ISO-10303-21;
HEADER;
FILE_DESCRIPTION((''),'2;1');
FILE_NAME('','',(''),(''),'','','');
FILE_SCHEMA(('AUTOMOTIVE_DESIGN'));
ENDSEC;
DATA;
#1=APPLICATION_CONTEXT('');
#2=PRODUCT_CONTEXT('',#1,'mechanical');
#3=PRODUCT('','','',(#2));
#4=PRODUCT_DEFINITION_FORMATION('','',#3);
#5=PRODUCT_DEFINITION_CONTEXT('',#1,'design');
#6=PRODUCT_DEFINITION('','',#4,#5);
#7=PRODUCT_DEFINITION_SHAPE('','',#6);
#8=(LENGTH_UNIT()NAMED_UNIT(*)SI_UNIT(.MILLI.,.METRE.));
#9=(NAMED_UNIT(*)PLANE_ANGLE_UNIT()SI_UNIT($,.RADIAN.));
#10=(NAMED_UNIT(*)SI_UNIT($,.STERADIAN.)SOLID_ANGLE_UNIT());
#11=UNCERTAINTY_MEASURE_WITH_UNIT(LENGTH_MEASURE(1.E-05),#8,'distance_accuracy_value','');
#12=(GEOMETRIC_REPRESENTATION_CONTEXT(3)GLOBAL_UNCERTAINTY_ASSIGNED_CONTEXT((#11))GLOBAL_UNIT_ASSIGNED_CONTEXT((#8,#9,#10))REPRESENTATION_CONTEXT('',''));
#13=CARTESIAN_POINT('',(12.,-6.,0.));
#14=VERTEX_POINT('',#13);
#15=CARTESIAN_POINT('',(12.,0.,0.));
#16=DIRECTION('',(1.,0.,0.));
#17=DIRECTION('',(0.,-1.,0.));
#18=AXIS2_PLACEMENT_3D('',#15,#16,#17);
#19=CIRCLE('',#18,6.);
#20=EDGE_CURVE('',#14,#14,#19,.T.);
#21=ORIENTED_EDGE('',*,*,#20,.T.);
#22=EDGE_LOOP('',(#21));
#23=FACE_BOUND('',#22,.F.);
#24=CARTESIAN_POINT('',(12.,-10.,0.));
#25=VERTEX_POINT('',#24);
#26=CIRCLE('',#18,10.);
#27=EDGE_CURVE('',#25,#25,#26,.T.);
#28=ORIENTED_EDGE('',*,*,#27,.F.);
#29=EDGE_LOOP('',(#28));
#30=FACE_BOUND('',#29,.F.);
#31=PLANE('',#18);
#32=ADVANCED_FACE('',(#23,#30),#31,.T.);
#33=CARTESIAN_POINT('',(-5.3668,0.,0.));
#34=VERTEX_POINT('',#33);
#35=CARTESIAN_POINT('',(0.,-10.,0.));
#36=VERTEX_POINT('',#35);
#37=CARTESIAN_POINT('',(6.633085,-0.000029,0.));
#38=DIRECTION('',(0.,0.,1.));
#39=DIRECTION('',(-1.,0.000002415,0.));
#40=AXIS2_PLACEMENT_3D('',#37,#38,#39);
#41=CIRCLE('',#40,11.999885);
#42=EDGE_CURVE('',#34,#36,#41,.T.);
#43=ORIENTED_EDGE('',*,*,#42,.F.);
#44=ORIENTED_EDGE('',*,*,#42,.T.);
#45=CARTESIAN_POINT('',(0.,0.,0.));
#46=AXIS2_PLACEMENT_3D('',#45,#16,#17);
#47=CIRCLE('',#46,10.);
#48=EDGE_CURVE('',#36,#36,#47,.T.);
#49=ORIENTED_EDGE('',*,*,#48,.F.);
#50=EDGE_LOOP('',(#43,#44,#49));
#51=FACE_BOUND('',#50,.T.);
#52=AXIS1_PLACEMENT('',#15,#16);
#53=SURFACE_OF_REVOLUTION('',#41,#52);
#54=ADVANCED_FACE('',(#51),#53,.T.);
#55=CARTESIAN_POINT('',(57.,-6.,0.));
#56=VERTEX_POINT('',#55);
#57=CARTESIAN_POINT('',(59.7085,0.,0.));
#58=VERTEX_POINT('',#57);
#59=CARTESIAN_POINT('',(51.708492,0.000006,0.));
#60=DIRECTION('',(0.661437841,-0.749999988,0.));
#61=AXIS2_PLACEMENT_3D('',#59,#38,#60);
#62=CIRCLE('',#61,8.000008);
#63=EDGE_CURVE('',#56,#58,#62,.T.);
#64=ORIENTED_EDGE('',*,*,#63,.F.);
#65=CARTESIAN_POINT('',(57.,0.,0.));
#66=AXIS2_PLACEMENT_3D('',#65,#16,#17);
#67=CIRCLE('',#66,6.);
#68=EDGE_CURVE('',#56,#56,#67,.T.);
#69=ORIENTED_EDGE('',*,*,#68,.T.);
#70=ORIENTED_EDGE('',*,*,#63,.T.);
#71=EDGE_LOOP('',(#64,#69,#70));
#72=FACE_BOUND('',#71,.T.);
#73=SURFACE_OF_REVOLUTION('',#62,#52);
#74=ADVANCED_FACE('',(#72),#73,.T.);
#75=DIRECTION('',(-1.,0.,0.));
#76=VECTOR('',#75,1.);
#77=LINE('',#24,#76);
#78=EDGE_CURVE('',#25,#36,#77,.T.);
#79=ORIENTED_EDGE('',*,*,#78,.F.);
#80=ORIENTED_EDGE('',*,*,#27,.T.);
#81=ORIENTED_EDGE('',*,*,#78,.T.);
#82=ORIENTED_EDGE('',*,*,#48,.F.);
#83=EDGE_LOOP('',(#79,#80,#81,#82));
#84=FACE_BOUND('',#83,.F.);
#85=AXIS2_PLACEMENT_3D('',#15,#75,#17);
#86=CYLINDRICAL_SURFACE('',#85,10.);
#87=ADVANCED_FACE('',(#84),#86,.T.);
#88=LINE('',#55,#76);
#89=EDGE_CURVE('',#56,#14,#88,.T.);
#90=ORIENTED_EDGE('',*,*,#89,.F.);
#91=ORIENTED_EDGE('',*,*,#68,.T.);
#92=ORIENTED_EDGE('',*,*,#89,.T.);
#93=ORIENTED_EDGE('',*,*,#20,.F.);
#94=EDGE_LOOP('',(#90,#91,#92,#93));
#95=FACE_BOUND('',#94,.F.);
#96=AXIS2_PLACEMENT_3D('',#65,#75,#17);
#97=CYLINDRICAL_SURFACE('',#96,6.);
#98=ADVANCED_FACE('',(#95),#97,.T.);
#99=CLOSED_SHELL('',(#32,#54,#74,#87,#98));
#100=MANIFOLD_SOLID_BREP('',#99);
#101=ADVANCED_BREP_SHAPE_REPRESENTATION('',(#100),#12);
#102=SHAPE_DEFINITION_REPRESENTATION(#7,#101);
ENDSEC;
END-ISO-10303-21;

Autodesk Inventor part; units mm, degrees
ref_plane "YZ Plane" through (0, 0, 0) normal (1, 0, 0) x (0, 1, 0)
ref_plane "XZ Plane" through (0, 0, 0) normal (0, 1, 0) x (-1, 0, 0)
ref_plane "XY Plane" through (0, 0, 0) normal (0, 0, 1) x (1, 0, 0)
sketch "草图1" plane through (0, 0, 0) normal (0, 0, 1) x (1, 0, 0)
  line L0 (0, 0) -> (12, 0)
  line L1 (12, 0) -> (12, -10)
  line L2 (12, -10) -> (0, -10)
  line L3 (0, -10) -> (0, 0)
  line L4 (12, 0) -> (57, 0)
  line L5 (57, 0) -> (57, -6)
  line L6 (57, -6) -> (12, -6)
  line L7 (12, -6) -> (12, 0)
  arc A0 (-5.3668, 0) -> (0, -10) centre (6.6332, 0) ccw
  arc A1 (57, -6) -> (59.7085, 0) centre (51.7085, 0) ccw
  line L8 (-5.3668, 0) -> (0, 0)
  line L9 (57, 0) -> (59.7085, 0)
  dimension "d0" = 12
  dimension "d1" = 10
  dimension "d2" = 45
  dimension "d3" = 6
  dimension "d4" = 24
  dimension "d5" = 16
revolve "旋转1" add sketch "草图1" angle 360 about axis through (12, 0, 0) along (1, 0, 0)
sketch "草图2" plane through (0, 0, 0) normal (0, 1, 0) x (-1, 0, 0)
  line L0 (0, -10) -> (0, 10) projected
  arc A0 (0, -10) -> (0, 10) centre (-6.6332, 0) ccw projected
  point P0 (0, 0)
  point P1 (5.3668, 0)
  dimension "d7" = 5.3667
properties part number "7-顶轴" material "不锈钢"
